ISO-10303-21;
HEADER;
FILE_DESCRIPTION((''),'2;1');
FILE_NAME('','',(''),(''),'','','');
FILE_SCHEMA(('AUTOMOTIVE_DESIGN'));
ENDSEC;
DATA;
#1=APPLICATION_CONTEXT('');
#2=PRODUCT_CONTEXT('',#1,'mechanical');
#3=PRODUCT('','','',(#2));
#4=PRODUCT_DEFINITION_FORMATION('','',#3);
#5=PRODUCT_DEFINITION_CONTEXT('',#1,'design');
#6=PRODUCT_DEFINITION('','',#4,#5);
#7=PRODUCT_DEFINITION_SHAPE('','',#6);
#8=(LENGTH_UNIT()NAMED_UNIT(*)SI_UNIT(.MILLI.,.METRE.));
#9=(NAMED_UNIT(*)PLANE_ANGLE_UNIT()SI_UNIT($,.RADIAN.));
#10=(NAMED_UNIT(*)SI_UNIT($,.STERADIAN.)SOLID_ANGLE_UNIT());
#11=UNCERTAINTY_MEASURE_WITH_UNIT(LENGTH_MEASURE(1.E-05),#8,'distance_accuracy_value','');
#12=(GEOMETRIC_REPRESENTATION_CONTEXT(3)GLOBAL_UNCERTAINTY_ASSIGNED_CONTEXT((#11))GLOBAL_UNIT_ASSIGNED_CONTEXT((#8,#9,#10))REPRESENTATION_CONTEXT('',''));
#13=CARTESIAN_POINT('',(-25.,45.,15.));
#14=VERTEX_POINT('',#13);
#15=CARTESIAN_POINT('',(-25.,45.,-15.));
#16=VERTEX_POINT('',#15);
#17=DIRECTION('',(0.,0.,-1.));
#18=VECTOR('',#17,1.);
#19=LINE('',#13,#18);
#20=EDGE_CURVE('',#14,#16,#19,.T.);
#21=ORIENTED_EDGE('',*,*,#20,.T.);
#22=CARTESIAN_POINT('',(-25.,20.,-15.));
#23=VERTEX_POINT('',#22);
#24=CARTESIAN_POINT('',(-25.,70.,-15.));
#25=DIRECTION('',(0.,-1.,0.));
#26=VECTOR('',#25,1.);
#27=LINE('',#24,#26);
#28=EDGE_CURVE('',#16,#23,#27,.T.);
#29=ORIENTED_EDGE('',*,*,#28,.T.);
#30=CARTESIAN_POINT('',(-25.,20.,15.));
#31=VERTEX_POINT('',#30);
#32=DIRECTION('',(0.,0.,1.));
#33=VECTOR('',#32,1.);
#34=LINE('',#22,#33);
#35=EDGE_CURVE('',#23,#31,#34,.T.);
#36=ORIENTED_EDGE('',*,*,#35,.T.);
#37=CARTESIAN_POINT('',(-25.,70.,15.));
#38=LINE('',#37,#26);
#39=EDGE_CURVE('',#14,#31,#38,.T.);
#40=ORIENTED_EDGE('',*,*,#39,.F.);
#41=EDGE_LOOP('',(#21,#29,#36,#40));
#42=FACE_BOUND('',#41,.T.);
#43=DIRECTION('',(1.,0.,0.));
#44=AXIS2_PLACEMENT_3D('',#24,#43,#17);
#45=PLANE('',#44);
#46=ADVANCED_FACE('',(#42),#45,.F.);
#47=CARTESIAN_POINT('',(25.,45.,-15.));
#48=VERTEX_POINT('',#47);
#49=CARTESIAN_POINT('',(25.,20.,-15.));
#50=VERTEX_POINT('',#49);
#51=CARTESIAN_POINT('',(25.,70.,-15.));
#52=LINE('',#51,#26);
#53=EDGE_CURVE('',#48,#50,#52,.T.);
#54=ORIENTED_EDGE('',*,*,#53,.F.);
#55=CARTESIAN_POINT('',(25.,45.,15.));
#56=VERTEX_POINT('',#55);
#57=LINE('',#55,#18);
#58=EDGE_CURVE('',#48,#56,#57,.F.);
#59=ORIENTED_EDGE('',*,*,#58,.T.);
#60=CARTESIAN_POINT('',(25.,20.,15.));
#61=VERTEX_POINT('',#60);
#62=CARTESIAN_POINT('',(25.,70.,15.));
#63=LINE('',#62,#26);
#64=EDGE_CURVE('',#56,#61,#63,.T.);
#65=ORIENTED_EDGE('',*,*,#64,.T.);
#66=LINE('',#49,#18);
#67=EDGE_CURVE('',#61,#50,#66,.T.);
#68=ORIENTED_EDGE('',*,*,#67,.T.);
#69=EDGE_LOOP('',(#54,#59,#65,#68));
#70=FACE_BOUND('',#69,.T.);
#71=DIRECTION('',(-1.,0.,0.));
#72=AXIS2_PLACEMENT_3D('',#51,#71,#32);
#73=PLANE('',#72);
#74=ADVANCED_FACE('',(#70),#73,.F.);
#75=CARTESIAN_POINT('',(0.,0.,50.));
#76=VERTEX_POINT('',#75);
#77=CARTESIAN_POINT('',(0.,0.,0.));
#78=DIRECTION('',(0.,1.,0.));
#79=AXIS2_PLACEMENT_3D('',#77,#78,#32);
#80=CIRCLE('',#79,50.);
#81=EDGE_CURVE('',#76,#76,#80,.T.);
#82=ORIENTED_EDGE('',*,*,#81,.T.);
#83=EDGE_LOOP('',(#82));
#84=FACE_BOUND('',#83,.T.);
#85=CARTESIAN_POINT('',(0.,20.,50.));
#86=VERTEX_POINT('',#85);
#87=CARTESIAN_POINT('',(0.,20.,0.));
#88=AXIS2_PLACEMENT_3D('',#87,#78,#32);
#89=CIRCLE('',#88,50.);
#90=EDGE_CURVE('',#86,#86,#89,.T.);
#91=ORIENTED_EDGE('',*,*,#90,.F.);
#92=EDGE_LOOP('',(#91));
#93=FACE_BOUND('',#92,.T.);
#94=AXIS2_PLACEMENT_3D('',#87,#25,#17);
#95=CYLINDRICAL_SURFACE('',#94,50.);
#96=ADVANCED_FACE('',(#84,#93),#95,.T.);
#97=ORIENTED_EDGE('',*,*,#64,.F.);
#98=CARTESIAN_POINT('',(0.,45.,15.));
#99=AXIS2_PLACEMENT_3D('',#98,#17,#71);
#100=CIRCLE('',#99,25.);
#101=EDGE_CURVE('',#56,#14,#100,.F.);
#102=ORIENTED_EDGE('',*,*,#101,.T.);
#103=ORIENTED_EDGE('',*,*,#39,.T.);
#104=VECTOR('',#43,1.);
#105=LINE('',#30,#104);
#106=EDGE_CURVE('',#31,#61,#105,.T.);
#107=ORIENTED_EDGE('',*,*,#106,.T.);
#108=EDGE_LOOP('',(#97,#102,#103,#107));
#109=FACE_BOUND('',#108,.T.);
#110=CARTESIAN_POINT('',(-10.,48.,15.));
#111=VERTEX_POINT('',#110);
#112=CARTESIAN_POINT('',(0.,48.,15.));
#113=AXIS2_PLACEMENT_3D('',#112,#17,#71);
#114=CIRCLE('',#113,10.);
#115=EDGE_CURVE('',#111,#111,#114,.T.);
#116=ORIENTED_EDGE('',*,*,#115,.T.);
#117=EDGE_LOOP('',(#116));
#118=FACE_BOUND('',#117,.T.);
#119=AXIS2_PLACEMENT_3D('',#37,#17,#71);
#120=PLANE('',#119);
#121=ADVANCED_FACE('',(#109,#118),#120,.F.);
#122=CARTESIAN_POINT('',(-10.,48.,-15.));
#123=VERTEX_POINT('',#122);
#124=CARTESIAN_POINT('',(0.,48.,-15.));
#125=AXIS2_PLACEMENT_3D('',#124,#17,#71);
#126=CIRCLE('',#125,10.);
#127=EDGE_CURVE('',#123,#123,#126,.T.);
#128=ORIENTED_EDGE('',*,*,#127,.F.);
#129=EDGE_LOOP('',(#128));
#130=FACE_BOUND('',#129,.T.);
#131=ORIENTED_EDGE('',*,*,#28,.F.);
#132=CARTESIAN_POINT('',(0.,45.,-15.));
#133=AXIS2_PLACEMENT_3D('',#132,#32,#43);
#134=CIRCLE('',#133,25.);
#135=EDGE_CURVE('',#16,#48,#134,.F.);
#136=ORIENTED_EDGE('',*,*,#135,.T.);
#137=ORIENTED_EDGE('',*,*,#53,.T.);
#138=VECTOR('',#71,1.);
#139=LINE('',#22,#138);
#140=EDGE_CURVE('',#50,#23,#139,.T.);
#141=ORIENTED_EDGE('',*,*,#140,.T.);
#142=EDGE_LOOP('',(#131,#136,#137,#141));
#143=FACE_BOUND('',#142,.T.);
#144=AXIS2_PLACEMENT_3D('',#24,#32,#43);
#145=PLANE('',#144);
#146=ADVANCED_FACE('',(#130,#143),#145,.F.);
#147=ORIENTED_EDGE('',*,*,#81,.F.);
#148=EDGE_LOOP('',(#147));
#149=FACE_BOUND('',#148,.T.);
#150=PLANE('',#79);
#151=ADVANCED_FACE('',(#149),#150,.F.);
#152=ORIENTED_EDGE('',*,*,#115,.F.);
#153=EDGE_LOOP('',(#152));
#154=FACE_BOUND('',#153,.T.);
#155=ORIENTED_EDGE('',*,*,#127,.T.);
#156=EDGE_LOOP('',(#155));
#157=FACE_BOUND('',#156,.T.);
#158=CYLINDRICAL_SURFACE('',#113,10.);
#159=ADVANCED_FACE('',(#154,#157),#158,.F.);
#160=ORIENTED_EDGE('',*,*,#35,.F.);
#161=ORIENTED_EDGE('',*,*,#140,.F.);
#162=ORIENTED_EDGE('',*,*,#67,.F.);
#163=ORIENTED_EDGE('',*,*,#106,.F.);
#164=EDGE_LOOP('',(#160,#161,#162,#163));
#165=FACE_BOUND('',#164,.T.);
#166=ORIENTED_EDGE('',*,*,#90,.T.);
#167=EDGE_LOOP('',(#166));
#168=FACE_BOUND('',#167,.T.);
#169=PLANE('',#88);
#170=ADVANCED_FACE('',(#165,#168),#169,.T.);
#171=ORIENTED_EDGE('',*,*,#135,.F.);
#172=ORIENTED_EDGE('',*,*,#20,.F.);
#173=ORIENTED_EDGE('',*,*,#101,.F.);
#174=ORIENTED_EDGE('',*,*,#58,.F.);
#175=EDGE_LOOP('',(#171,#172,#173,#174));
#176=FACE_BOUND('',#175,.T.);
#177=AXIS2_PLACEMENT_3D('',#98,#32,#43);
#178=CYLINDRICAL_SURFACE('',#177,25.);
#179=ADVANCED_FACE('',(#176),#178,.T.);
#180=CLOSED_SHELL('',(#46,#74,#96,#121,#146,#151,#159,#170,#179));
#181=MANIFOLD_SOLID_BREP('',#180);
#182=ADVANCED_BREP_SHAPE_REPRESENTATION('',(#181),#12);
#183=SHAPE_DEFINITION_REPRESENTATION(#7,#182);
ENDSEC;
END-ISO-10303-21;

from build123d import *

# Parameters (mm, degrees)
CROQUIS1_R              = 50
SALIENTE_EXTRUIR1_DEPTH = 20
CROQUIS2_W              = 50
CROQUIS2_H              = 30
SALIENTE_EXTRUIR2_DEPTH = 50
CROQUIS3_R              = 10
CORTAR_EXTRUIR1_DEPTH   = 30
REDONDEO1_RADIUS        = 25
REDONDEO1_LENGTH        = 30


with BuildPart() as part:
    # Croquis1 → Saliente-Extruir1 (new body)
    with BuildSketch(Plane(origin=(0, 0, 0), x_dir=(1, 0, 0), z_dir=(0, 1, 0))):
        with Locations(Location((0, 0, 0), (0, 0, 270))):
            Circle(CROQUIS1_R)
    extrude(amount=SALIENTE_EXTRUIR1_DEPTH)

    # Croquis2 → Saliente-Extruir2 (add)
    with BuildSketch(Plane(origin=(0, 20, 0), x_dir=(1, 0, 0), z_dir=(0, 1, 0))):
        Rectangle(CROQUIS2_W, CROQUIS2_H)
    extrude(amount=SALIENTE_EXTRUIR2_DEPTH)

    # Croquis3 → Cortar-Extruir1 (cut)
    with BuildSketch(Plane(origin=(0, 0, -15), x_dir=(-1, 0, 0), z_dir=(0, 0, -1))):
        with Locations((0, 48)):
            Circle(CROQUIS3_R)
    extrude(amount=-CORTAR_EXTRUIR1_DEPTH, mode=Mode.SUBTRACT)

    # Redondeo1: full round fillet: the end face becomes a half cylinder, R = half its width
    redondeo1_face = Plane((0, 70, 0), x_dir=(0, 0, 1), z_dir=(0, 1, 0))  # on the end face: x along it, z out of the body
    redondeo1_slab = redondeo1_face.offset(-REDONDEO1_RADIUS / 2) * Box(REDONDEO1_LENGTH, 2 * REDONDEO1_RADIUS, REDONDEO1_RADIUS, mode=Mode.PRIVATE)  # the body's end, R deep
    redondeo1_round = Plane((0, 45, 0), x_dir=(0, 1, 0), z_dir=(0, 0, 1)) * Cylinder(REDONDEO1_RADIUS, REDONDEO1_LENGTH, mode=Mode.PRIVATE)  # its axis R under the face
    add(redondeo1_slab - redondeo1_round, mode=Mode.SUBTRACT)


solid = part.part
